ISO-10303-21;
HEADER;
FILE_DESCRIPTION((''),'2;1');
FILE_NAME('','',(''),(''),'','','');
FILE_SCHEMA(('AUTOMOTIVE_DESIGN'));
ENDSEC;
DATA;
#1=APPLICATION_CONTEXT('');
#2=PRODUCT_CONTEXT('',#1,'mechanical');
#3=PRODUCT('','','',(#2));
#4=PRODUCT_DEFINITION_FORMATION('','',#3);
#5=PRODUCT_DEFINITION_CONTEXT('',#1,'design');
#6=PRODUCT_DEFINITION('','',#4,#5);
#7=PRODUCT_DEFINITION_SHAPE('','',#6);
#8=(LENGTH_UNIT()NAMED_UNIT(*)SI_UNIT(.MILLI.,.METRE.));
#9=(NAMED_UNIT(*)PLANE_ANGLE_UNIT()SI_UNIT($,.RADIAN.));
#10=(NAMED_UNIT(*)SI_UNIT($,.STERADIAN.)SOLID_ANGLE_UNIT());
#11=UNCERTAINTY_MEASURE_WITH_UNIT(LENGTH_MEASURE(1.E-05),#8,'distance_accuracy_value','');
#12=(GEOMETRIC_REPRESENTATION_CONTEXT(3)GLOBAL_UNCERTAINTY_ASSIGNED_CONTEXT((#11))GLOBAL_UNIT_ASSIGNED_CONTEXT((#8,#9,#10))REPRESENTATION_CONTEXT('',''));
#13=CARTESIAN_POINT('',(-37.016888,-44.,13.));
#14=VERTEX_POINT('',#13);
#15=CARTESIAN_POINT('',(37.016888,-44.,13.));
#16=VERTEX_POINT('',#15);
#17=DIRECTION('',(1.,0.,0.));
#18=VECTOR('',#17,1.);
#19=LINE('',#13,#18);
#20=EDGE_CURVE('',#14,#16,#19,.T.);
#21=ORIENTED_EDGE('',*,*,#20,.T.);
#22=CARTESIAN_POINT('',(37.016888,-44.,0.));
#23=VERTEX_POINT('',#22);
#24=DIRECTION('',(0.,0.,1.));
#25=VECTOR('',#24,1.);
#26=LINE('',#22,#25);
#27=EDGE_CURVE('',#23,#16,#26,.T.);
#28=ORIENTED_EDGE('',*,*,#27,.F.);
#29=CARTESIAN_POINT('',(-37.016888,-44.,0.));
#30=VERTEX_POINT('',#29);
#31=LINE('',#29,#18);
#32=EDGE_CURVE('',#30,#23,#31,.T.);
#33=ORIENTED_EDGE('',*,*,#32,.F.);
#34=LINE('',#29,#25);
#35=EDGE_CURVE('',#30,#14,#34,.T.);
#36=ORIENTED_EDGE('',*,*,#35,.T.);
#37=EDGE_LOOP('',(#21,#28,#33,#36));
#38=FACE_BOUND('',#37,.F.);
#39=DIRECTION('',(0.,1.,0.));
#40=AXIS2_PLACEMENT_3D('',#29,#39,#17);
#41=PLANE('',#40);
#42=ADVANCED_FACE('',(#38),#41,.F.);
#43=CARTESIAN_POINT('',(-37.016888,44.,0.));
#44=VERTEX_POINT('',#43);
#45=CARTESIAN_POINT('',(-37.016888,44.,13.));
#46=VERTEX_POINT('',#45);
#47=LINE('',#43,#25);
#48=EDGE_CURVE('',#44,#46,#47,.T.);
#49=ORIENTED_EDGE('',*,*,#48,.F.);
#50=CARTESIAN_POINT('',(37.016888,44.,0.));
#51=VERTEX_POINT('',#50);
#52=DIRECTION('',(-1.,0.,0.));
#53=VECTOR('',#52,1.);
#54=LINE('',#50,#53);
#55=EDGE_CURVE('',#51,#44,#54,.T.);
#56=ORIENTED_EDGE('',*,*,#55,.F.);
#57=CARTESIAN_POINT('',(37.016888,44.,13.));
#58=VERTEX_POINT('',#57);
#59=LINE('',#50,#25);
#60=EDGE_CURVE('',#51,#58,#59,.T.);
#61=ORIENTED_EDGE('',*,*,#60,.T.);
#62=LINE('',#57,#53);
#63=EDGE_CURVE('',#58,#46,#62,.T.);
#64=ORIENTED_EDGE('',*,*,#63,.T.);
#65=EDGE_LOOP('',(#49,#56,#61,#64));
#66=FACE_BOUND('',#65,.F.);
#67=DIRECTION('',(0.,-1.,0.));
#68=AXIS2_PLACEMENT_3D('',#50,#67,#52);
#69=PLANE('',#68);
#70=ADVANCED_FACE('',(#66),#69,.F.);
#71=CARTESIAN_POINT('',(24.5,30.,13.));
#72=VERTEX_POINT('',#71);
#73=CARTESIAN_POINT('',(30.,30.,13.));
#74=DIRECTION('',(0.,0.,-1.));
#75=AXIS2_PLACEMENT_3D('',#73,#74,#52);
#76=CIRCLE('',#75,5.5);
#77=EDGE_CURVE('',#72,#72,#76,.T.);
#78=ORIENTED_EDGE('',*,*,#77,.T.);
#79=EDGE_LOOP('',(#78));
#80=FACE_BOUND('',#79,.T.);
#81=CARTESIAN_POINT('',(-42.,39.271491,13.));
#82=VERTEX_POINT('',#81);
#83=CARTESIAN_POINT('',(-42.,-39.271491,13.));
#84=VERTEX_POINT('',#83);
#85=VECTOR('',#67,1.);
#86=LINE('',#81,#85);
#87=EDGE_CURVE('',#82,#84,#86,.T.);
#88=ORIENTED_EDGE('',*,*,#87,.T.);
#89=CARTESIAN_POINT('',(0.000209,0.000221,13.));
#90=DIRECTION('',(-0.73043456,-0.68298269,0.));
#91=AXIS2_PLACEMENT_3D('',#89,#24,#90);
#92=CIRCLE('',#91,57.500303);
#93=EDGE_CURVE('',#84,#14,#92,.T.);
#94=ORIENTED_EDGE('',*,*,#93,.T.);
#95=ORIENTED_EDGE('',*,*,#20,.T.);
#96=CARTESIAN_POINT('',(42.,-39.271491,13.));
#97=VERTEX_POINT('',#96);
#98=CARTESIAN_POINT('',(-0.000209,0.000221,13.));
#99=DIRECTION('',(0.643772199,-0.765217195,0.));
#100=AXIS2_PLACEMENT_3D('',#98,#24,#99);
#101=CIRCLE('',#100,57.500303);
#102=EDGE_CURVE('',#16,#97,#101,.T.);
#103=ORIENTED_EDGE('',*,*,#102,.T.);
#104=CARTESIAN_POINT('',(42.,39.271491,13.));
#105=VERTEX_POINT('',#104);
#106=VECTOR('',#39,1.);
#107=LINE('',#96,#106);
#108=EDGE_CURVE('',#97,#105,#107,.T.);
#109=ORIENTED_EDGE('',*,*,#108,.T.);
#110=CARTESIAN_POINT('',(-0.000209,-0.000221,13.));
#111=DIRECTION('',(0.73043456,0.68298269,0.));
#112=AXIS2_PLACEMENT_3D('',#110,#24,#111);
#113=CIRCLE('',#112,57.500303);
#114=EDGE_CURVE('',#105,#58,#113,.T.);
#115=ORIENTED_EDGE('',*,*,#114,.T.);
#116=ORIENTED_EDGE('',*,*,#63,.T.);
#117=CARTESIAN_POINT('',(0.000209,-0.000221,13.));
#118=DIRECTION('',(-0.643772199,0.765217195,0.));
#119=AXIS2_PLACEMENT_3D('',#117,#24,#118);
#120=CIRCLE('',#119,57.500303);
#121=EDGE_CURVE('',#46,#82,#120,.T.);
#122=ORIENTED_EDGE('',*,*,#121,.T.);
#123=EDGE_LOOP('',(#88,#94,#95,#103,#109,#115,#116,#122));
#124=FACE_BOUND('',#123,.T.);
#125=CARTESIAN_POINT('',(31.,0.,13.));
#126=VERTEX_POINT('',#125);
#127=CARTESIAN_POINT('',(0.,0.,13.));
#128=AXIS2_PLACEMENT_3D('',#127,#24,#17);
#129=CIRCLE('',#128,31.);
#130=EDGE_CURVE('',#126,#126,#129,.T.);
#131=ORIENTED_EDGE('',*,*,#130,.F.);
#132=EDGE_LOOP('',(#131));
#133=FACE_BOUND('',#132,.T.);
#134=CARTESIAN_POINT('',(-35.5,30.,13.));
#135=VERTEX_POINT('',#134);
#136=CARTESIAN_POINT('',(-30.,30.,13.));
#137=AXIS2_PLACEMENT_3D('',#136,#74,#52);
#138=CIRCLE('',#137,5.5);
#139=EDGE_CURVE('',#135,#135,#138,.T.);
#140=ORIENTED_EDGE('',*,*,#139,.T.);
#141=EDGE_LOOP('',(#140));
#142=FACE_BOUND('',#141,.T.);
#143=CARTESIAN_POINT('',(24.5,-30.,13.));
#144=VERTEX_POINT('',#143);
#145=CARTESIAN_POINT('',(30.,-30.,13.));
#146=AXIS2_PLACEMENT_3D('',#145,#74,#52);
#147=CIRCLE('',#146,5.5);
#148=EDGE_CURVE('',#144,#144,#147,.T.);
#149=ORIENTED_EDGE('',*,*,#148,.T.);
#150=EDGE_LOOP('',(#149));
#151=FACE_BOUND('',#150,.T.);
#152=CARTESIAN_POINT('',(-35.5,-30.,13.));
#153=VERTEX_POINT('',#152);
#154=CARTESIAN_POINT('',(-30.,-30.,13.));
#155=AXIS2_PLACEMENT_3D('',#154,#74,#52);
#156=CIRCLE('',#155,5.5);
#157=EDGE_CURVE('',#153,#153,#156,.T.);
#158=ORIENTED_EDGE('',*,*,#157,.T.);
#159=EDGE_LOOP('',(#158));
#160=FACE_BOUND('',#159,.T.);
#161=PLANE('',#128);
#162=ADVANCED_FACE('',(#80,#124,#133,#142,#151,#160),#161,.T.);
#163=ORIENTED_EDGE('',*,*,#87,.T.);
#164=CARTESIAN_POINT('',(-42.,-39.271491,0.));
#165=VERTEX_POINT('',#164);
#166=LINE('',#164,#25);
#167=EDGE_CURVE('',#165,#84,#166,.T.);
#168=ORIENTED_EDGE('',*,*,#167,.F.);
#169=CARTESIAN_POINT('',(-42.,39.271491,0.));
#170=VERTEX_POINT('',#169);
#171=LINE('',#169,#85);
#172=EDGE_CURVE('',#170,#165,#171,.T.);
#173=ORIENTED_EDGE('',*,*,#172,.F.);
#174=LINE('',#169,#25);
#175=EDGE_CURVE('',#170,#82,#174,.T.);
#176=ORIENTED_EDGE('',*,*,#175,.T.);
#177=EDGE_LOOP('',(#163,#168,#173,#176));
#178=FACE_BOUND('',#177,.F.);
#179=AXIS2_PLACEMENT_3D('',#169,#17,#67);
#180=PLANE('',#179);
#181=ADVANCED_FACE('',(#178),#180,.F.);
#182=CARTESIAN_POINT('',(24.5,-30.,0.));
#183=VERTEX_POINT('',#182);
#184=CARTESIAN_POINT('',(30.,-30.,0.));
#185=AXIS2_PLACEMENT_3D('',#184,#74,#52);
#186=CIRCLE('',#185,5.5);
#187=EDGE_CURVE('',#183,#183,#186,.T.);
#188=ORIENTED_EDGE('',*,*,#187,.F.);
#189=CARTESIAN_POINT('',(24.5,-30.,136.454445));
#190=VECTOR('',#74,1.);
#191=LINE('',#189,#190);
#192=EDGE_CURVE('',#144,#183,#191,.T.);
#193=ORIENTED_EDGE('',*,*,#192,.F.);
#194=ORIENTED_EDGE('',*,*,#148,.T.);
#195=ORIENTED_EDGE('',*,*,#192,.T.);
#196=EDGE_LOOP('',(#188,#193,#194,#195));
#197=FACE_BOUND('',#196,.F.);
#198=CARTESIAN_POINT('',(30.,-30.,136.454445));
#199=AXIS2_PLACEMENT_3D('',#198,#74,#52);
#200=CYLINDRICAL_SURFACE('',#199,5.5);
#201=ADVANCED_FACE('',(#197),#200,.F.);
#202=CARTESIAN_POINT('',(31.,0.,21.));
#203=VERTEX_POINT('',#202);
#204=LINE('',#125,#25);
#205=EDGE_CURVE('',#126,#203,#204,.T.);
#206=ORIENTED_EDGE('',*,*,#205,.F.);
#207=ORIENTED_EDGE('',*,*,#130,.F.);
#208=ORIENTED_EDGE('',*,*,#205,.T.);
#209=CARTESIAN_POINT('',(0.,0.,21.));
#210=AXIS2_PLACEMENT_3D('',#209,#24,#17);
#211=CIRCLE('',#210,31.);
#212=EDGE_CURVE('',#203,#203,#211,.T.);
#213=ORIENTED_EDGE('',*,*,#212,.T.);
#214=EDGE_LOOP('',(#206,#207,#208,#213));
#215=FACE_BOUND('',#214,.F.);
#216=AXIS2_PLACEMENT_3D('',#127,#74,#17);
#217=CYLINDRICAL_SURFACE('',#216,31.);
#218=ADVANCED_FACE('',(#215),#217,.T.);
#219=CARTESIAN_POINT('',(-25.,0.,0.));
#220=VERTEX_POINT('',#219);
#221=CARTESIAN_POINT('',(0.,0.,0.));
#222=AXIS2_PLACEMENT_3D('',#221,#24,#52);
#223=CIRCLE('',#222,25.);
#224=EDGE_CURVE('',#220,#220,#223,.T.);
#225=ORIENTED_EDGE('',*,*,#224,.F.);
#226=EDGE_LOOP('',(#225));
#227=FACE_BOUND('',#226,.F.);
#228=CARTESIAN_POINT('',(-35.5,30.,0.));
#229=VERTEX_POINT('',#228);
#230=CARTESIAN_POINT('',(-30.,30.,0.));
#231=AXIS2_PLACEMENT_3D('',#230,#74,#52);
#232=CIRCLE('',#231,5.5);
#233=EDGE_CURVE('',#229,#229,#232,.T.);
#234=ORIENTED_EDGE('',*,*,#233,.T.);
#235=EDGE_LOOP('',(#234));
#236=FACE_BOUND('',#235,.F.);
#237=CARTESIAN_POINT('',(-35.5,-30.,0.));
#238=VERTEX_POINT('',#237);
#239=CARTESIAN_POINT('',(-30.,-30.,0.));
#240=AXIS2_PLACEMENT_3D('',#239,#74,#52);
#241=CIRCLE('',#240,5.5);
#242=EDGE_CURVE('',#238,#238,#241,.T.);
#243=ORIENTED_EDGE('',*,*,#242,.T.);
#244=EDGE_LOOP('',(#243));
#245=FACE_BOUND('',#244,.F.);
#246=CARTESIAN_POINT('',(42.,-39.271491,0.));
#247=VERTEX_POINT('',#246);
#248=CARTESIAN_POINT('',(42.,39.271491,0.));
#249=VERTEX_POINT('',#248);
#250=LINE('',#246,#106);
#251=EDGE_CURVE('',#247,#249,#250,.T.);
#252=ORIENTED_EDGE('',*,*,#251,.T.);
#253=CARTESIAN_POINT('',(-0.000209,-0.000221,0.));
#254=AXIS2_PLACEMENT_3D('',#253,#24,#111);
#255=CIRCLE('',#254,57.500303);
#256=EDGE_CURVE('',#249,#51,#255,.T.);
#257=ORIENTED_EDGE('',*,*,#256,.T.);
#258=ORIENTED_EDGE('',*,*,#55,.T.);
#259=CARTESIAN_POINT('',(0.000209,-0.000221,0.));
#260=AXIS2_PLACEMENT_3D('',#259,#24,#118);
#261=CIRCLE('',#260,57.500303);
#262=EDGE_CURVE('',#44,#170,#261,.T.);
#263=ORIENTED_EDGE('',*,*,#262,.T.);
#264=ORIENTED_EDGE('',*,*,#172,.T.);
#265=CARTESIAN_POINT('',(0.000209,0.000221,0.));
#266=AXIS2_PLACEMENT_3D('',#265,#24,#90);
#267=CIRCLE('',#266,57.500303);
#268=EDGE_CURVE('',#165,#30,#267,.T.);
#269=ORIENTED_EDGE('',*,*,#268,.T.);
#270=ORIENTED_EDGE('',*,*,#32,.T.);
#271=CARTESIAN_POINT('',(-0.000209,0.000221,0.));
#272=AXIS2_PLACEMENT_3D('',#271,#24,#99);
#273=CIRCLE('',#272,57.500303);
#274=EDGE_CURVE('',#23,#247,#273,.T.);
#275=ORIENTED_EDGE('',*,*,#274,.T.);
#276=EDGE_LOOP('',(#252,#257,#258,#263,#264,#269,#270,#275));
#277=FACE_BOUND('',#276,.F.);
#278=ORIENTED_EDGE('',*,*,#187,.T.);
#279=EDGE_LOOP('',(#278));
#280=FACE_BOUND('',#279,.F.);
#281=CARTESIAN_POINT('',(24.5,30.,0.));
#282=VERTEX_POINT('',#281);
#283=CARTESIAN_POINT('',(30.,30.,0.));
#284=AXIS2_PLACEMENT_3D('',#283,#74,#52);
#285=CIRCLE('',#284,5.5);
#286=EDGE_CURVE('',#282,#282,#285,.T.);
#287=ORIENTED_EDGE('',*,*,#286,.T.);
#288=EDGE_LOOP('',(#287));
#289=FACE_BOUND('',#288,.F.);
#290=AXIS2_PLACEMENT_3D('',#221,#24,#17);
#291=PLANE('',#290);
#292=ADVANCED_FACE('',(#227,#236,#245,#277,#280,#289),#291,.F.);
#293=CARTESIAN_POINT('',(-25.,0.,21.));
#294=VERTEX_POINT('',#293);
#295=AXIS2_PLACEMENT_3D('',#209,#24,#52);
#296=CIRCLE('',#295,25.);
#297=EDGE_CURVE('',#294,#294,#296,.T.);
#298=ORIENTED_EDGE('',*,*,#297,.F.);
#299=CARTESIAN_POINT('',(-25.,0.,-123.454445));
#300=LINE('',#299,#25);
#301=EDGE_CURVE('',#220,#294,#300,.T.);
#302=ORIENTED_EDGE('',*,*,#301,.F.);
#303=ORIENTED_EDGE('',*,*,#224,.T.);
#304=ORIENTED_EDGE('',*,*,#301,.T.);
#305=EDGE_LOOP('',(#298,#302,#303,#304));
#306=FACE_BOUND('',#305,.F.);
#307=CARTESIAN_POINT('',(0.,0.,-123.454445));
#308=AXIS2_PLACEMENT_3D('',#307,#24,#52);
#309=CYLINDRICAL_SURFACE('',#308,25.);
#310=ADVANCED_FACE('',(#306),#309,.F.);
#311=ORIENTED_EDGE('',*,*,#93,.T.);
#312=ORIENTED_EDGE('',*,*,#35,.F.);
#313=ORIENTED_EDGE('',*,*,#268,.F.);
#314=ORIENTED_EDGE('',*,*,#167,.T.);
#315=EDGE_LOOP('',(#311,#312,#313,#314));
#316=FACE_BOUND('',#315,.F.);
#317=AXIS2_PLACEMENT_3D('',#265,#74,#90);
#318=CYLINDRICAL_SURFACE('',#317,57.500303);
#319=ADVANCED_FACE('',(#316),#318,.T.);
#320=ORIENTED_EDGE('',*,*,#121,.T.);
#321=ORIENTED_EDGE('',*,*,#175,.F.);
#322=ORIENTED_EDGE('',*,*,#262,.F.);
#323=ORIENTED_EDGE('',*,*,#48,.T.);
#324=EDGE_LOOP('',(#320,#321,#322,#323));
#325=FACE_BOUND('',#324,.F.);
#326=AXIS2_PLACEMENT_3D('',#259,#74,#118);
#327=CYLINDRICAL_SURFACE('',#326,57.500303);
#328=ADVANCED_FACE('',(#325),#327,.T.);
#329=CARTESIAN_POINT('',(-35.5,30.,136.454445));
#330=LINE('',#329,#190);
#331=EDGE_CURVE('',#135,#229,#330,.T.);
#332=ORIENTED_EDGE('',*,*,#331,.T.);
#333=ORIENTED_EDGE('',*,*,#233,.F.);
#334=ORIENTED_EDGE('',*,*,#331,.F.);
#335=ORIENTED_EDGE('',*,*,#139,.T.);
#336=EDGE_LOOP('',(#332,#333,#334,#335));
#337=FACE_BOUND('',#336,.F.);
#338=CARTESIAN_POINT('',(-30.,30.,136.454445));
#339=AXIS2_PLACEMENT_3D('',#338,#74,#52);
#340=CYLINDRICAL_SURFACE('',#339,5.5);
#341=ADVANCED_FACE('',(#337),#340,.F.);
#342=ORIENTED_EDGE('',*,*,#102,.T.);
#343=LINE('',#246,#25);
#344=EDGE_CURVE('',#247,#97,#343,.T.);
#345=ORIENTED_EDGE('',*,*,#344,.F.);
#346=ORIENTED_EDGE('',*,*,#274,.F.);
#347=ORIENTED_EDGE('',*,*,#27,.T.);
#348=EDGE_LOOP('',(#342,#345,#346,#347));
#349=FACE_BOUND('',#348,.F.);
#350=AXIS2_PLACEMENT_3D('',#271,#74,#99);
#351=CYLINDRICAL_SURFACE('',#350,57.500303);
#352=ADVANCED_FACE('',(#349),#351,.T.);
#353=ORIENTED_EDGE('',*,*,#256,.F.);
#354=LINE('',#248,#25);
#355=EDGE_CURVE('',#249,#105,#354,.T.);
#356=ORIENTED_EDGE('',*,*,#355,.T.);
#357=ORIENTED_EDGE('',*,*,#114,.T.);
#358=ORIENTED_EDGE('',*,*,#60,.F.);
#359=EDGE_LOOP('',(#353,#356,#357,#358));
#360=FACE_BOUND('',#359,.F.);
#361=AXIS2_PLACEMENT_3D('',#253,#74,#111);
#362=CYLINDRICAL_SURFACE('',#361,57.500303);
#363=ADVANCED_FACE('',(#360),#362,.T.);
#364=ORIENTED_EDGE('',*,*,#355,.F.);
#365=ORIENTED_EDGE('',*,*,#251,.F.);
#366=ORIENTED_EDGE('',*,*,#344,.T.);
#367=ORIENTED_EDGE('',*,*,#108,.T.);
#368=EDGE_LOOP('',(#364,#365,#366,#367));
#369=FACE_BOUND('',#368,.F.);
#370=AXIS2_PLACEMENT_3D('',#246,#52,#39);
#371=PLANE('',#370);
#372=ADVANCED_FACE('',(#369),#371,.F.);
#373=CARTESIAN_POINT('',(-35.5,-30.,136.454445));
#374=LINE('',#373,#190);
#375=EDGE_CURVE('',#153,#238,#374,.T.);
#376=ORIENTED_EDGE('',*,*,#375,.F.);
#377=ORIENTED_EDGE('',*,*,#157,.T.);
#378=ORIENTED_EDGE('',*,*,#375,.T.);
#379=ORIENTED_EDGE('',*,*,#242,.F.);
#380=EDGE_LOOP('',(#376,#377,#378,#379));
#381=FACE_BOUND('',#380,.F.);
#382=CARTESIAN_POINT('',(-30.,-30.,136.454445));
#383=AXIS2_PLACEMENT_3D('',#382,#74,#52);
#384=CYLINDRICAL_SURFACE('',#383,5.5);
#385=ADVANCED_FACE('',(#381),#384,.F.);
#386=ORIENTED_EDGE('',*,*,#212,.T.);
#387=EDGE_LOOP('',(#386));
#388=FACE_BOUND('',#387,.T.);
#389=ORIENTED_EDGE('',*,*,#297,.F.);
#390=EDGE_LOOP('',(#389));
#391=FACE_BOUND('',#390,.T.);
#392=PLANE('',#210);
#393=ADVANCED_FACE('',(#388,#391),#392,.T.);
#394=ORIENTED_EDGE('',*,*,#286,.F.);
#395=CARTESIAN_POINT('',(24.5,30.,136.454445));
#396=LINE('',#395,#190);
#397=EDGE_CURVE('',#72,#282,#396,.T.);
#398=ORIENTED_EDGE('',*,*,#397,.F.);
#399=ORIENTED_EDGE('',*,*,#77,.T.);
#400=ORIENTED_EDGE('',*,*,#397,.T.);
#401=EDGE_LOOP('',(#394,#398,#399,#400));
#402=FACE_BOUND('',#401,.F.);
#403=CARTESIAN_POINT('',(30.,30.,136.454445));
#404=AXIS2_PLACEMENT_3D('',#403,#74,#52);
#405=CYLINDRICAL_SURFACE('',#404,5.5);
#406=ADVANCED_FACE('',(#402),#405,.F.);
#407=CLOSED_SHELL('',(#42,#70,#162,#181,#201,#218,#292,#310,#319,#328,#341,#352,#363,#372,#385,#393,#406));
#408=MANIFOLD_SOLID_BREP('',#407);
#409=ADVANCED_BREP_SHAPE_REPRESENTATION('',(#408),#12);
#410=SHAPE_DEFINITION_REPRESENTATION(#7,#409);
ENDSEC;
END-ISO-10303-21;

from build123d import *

# Parameters (mm, degrees)
F1_DEPTH = 13
F2_R     = 31
F3_DEPTH = 8
F4_D     = 50
F6_D     = 11


with BuildPart() as f1:
    # F0 (on Top) → F1 (new body)
    with BuildSketch(Plane.XY):
        with BuildLine():
            Line((37.016888, 44), (-37.016888, 44))
            ThreePointArc((-37.016888, 44), (-39.579121, 41.710228), (-42, 39.271491))
            Line((-42, 39.271491), (-42, -39.271491))
            ThreePointArc((-42, -39.271491), (-39.579121, -41.710228), (-37.016888, -44))
            Line((-37.016888, -44), (37.016888, -44))
            ThreePointArc((37.016888, -44), (39.579121, -41.710228), (42, -39.271491))
            Line((42, -39.271491), (42, 39.271491))
            ThreePointArc((42, 39.271491), (39.579121, 41.710228), (37.016888, 44))
        make_face()
    extrude(amount=F1_DEPTH)

    # F2 (on face) → F3 (join)
    with BuildSketch(Plane.XY.offset(13)):
        Circle(F2_R)
    extrude(amount=F3_DEPTH)

    # F4 (through all)
    with Locations(Plane(origin=(0, 0, 0), x_dir=(1, 0, 0), z_dir=(0, 0, -1))):
        with Locations((0, 0)):
            Hole(F4_D / 2)

    # F6 (through all)
    with Locations(Plane.XY.offset(13)):
        with Locations((-30, 30), (30, 30), (-30, -30), (30, -30)):
            Hole(F6_D / 2)


solid = f1.part
